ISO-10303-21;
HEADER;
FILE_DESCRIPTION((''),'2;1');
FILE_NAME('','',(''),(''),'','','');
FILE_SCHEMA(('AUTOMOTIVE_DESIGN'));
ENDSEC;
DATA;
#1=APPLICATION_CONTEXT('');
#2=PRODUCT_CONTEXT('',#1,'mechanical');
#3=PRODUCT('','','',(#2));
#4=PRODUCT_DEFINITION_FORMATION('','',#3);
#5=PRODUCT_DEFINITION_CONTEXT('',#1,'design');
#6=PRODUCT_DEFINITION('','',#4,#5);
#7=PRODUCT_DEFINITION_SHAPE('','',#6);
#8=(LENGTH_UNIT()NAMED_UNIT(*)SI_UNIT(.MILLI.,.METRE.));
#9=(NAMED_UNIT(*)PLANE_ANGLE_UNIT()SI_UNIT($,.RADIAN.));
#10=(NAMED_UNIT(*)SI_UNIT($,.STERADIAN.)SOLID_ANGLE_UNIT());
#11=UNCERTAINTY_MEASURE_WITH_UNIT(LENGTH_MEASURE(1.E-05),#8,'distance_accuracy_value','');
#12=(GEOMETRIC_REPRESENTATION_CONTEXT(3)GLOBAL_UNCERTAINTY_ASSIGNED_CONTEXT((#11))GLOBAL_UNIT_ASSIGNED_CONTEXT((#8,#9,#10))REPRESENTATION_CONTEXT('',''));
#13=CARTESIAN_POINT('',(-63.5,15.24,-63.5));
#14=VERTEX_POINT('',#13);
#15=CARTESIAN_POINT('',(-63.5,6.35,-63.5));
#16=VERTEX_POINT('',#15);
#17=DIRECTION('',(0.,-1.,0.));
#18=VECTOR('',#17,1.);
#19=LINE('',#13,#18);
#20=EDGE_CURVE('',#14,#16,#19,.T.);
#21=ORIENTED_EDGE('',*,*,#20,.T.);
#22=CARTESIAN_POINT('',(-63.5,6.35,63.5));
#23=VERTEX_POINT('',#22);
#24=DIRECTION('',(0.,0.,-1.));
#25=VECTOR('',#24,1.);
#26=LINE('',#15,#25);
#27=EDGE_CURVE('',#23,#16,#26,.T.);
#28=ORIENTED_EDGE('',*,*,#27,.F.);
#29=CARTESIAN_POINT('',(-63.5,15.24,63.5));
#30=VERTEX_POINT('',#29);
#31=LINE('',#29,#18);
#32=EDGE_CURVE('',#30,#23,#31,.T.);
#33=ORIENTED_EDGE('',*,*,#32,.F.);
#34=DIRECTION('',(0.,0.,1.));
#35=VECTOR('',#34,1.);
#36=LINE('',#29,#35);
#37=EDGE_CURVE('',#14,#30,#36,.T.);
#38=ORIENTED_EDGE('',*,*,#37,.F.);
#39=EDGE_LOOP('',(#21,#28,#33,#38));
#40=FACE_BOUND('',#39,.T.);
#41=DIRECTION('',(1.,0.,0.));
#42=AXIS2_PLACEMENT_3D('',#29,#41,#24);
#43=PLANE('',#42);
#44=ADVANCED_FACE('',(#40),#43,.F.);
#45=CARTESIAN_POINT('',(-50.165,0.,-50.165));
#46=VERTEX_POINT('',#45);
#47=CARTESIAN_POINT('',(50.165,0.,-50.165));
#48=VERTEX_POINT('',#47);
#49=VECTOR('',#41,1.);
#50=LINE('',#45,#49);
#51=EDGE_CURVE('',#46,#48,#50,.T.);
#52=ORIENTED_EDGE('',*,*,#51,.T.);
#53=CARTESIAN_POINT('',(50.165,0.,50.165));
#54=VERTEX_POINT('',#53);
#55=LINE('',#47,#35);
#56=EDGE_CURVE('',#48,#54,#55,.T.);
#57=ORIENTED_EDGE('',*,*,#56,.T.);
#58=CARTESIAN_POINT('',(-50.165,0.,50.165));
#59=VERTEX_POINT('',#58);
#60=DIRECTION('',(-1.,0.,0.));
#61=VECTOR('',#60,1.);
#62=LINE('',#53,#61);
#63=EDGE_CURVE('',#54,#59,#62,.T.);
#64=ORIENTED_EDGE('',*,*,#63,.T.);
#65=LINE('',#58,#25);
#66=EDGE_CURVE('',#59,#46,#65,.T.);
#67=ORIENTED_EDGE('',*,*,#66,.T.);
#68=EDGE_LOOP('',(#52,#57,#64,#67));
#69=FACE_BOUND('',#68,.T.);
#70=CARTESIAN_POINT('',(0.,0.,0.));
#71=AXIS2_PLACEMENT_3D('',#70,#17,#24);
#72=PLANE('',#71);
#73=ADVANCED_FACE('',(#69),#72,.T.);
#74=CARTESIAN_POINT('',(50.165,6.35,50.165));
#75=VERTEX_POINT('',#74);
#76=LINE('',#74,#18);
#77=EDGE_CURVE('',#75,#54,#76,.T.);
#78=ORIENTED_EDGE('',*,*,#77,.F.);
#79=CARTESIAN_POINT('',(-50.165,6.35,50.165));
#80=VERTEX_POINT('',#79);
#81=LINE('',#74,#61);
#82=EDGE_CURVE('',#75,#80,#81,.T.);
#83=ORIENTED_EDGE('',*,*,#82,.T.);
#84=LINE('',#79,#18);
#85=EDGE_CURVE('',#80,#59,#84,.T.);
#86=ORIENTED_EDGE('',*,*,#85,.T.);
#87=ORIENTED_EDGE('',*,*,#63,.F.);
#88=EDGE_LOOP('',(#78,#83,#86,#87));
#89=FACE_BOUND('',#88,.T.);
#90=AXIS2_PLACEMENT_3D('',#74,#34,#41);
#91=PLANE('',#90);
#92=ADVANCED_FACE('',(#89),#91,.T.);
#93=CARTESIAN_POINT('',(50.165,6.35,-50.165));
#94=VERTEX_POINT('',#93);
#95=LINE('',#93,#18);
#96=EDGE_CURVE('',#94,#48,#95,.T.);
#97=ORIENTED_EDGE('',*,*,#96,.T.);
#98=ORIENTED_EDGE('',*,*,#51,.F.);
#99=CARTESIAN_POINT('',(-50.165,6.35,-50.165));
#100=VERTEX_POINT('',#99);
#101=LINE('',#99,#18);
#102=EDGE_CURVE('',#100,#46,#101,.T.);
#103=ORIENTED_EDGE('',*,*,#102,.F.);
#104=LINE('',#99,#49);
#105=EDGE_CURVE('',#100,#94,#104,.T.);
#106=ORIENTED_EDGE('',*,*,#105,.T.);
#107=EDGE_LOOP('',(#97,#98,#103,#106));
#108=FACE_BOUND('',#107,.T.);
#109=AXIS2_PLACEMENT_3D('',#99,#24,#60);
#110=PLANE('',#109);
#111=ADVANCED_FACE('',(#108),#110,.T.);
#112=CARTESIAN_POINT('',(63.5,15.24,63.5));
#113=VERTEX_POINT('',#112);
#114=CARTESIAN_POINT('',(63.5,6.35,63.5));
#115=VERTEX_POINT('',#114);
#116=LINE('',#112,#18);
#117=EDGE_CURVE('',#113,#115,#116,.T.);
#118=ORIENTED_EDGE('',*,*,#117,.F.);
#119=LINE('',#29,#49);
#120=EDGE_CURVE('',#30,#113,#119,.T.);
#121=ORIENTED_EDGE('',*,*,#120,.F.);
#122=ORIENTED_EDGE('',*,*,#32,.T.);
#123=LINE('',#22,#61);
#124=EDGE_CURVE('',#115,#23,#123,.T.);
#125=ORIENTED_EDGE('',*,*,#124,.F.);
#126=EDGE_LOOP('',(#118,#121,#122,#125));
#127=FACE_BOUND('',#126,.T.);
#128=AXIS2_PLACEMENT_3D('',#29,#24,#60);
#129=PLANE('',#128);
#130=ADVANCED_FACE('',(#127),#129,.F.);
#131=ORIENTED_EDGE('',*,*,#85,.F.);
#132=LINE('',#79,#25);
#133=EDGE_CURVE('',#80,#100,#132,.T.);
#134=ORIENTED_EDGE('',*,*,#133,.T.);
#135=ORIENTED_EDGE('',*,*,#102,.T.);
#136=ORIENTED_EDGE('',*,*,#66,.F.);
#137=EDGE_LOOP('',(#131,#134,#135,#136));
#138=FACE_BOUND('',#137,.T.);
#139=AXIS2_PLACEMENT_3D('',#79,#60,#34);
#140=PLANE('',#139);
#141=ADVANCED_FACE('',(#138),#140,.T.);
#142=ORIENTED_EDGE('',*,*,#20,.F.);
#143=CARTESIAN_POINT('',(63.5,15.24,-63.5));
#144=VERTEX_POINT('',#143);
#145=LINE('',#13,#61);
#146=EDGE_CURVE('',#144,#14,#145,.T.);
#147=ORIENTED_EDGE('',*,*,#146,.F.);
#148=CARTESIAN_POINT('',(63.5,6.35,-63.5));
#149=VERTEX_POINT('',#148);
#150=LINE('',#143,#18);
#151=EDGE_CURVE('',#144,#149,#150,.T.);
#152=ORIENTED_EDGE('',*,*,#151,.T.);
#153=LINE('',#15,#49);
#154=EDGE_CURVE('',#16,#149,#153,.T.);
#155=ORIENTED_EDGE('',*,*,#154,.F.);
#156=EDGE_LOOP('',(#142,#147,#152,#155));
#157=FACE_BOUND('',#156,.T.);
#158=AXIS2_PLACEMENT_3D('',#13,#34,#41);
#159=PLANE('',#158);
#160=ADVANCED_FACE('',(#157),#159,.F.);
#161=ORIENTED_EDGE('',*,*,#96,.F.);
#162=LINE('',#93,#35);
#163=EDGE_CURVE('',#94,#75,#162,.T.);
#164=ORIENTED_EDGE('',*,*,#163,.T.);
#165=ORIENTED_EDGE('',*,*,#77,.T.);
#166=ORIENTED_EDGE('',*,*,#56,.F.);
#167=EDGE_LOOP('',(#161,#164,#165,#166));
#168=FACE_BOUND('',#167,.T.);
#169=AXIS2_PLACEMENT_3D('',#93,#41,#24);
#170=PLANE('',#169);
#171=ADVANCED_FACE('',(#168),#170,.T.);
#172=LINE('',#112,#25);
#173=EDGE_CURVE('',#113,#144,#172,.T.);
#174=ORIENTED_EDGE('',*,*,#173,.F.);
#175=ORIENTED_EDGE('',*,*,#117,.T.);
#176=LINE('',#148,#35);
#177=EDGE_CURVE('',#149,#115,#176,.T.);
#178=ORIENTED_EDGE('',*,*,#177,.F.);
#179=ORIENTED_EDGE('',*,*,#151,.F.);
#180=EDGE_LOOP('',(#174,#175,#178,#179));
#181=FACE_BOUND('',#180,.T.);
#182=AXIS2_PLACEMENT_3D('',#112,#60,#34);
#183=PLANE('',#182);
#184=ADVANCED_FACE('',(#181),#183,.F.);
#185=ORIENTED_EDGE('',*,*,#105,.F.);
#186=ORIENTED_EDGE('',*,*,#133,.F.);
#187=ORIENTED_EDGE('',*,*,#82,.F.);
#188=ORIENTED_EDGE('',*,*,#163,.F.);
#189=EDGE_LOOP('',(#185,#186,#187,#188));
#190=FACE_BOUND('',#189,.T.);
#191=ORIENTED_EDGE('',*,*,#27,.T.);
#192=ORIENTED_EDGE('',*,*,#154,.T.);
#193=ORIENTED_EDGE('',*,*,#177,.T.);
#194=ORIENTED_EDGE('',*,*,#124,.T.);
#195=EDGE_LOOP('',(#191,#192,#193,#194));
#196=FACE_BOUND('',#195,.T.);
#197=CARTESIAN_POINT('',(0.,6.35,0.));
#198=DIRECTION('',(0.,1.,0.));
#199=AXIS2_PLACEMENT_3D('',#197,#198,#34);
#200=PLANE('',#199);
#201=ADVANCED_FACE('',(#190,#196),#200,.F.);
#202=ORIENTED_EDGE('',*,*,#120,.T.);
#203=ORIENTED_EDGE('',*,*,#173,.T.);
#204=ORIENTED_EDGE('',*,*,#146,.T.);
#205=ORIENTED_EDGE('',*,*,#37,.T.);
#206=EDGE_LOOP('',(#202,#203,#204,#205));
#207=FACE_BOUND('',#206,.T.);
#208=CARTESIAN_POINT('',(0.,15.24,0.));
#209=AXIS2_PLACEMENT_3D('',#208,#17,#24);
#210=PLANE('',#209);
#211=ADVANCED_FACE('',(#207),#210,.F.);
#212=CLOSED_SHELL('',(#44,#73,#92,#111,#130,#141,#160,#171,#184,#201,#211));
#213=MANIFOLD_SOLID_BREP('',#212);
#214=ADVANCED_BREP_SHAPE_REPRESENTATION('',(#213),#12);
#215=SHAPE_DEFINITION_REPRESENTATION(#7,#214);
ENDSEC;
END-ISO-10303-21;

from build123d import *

# Parameters (mm, degrees)
SKETCH1_W           = 127
SKETCH1_H           = 127
BOSS_EXTRUDE1_DEPTH = 15.24
SKETCH2_W           = 127
SKETCH2_H           = 127
SKETCH2_W_2         = 100.33
SKETCH2_H_2         = 100.33
CUT_EXTRUDE1_DEPTH  = 6.35


with BuildPart() as part:
    # Sketch1 → Boss-Extrude1 (new body)
    with BuildSketch(Plane(origin=(0, 0, 0), x_dir=(1, 0, 0), z_dir=(0, 1, 0))):
        Rectangle(SKETCH1_W, SKETCH1_H)
    extrude(amount=BOSS_EXTRUDE1_DEPTH)

    # Sketch2 → Cut-Extrude1 (cut)
    with BuildSketch(Plane.XZ):
        Rectangle(SKETCH2_W, SKETCH2_H)
        Rectangle(SKETCH2_W_2, SKETCH2_H_2, mode=Mode.SUBTRACT)
    extrude(amount=-CUT_EXTRUDE1_DEPTH, mode=Mode.SUBTRACT)


solid = part.part
